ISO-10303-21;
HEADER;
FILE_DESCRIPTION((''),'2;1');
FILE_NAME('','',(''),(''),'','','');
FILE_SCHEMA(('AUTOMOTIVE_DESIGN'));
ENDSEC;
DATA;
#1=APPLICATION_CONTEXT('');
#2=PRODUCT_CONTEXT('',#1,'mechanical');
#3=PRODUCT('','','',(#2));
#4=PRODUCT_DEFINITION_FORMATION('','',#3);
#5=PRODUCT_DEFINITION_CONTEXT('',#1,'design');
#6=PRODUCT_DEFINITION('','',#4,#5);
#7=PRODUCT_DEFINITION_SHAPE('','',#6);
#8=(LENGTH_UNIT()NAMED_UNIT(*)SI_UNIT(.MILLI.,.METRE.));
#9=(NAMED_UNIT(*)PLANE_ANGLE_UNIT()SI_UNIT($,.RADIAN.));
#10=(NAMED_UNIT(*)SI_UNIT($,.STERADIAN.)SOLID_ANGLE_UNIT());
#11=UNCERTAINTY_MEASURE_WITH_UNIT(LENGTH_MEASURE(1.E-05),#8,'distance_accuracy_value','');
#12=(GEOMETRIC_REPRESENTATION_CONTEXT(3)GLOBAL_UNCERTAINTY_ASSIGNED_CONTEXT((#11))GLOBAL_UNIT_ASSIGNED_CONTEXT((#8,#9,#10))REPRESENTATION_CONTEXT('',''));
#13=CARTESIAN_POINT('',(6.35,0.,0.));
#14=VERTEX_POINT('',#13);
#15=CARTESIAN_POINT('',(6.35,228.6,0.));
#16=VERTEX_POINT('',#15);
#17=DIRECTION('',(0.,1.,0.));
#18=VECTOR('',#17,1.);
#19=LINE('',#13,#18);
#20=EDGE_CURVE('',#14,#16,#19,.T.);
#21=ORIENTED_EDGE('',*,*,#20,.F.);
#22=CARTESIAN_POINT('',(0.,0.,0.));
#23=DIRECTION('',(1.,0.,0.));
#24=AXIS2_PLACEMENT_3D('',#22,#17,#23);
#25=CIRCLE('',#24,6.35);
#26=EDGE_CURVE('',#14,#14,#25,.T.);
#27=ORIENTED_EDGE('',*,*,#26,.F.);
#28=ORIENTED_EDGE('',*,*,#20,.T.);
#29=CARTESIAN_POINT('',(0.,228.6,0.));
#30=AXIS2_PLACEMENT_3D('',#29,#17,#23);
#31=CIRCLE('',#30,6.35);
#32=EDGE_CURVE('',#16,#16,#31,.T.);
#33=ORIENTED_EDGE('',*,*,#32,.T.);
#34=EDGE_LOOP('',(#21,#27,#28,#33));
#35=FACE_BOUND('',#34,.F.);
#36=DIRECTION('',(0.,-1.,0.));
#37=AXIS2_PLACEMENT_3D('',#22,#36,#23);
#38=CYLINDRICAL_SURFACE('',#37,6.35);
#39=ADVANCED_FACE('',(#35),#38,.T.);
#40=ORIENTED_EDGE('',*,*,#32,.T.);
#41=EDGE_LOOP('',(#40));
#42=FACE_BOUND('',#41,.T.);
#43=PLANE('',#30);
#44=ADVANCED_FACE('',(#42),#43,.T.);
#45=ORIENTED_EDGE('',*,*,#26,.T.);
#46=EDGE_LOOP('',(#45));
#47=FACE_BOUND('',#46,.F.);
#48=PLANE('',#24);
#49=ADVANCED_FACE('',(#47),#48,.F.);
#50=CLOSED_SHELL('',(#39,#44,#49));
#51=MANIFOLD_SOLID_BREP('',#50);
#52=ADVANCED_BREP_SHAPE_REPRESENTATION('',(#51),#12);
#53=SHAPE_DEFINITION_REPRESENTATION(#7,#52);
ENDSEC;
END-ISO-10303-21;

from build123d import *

# Parameters (mm, degrees)
SKETCH1_R           = 6.35
BOSS_EXTRUDE1_DEPTH = 228.6


with BuildPart() as part:
    # Sketch1 → Boss-Extrude1 (new body)
    with BuildSketch(Plane(origin=(0, 0, 0), x_dir=(1, 0, 0), z_dir=(0, 1, 0))):
        Circle(SKETCH1_R)
    extrude(amount=BOSS_EXTRUDE1_DEPTH)


solid = part.part
